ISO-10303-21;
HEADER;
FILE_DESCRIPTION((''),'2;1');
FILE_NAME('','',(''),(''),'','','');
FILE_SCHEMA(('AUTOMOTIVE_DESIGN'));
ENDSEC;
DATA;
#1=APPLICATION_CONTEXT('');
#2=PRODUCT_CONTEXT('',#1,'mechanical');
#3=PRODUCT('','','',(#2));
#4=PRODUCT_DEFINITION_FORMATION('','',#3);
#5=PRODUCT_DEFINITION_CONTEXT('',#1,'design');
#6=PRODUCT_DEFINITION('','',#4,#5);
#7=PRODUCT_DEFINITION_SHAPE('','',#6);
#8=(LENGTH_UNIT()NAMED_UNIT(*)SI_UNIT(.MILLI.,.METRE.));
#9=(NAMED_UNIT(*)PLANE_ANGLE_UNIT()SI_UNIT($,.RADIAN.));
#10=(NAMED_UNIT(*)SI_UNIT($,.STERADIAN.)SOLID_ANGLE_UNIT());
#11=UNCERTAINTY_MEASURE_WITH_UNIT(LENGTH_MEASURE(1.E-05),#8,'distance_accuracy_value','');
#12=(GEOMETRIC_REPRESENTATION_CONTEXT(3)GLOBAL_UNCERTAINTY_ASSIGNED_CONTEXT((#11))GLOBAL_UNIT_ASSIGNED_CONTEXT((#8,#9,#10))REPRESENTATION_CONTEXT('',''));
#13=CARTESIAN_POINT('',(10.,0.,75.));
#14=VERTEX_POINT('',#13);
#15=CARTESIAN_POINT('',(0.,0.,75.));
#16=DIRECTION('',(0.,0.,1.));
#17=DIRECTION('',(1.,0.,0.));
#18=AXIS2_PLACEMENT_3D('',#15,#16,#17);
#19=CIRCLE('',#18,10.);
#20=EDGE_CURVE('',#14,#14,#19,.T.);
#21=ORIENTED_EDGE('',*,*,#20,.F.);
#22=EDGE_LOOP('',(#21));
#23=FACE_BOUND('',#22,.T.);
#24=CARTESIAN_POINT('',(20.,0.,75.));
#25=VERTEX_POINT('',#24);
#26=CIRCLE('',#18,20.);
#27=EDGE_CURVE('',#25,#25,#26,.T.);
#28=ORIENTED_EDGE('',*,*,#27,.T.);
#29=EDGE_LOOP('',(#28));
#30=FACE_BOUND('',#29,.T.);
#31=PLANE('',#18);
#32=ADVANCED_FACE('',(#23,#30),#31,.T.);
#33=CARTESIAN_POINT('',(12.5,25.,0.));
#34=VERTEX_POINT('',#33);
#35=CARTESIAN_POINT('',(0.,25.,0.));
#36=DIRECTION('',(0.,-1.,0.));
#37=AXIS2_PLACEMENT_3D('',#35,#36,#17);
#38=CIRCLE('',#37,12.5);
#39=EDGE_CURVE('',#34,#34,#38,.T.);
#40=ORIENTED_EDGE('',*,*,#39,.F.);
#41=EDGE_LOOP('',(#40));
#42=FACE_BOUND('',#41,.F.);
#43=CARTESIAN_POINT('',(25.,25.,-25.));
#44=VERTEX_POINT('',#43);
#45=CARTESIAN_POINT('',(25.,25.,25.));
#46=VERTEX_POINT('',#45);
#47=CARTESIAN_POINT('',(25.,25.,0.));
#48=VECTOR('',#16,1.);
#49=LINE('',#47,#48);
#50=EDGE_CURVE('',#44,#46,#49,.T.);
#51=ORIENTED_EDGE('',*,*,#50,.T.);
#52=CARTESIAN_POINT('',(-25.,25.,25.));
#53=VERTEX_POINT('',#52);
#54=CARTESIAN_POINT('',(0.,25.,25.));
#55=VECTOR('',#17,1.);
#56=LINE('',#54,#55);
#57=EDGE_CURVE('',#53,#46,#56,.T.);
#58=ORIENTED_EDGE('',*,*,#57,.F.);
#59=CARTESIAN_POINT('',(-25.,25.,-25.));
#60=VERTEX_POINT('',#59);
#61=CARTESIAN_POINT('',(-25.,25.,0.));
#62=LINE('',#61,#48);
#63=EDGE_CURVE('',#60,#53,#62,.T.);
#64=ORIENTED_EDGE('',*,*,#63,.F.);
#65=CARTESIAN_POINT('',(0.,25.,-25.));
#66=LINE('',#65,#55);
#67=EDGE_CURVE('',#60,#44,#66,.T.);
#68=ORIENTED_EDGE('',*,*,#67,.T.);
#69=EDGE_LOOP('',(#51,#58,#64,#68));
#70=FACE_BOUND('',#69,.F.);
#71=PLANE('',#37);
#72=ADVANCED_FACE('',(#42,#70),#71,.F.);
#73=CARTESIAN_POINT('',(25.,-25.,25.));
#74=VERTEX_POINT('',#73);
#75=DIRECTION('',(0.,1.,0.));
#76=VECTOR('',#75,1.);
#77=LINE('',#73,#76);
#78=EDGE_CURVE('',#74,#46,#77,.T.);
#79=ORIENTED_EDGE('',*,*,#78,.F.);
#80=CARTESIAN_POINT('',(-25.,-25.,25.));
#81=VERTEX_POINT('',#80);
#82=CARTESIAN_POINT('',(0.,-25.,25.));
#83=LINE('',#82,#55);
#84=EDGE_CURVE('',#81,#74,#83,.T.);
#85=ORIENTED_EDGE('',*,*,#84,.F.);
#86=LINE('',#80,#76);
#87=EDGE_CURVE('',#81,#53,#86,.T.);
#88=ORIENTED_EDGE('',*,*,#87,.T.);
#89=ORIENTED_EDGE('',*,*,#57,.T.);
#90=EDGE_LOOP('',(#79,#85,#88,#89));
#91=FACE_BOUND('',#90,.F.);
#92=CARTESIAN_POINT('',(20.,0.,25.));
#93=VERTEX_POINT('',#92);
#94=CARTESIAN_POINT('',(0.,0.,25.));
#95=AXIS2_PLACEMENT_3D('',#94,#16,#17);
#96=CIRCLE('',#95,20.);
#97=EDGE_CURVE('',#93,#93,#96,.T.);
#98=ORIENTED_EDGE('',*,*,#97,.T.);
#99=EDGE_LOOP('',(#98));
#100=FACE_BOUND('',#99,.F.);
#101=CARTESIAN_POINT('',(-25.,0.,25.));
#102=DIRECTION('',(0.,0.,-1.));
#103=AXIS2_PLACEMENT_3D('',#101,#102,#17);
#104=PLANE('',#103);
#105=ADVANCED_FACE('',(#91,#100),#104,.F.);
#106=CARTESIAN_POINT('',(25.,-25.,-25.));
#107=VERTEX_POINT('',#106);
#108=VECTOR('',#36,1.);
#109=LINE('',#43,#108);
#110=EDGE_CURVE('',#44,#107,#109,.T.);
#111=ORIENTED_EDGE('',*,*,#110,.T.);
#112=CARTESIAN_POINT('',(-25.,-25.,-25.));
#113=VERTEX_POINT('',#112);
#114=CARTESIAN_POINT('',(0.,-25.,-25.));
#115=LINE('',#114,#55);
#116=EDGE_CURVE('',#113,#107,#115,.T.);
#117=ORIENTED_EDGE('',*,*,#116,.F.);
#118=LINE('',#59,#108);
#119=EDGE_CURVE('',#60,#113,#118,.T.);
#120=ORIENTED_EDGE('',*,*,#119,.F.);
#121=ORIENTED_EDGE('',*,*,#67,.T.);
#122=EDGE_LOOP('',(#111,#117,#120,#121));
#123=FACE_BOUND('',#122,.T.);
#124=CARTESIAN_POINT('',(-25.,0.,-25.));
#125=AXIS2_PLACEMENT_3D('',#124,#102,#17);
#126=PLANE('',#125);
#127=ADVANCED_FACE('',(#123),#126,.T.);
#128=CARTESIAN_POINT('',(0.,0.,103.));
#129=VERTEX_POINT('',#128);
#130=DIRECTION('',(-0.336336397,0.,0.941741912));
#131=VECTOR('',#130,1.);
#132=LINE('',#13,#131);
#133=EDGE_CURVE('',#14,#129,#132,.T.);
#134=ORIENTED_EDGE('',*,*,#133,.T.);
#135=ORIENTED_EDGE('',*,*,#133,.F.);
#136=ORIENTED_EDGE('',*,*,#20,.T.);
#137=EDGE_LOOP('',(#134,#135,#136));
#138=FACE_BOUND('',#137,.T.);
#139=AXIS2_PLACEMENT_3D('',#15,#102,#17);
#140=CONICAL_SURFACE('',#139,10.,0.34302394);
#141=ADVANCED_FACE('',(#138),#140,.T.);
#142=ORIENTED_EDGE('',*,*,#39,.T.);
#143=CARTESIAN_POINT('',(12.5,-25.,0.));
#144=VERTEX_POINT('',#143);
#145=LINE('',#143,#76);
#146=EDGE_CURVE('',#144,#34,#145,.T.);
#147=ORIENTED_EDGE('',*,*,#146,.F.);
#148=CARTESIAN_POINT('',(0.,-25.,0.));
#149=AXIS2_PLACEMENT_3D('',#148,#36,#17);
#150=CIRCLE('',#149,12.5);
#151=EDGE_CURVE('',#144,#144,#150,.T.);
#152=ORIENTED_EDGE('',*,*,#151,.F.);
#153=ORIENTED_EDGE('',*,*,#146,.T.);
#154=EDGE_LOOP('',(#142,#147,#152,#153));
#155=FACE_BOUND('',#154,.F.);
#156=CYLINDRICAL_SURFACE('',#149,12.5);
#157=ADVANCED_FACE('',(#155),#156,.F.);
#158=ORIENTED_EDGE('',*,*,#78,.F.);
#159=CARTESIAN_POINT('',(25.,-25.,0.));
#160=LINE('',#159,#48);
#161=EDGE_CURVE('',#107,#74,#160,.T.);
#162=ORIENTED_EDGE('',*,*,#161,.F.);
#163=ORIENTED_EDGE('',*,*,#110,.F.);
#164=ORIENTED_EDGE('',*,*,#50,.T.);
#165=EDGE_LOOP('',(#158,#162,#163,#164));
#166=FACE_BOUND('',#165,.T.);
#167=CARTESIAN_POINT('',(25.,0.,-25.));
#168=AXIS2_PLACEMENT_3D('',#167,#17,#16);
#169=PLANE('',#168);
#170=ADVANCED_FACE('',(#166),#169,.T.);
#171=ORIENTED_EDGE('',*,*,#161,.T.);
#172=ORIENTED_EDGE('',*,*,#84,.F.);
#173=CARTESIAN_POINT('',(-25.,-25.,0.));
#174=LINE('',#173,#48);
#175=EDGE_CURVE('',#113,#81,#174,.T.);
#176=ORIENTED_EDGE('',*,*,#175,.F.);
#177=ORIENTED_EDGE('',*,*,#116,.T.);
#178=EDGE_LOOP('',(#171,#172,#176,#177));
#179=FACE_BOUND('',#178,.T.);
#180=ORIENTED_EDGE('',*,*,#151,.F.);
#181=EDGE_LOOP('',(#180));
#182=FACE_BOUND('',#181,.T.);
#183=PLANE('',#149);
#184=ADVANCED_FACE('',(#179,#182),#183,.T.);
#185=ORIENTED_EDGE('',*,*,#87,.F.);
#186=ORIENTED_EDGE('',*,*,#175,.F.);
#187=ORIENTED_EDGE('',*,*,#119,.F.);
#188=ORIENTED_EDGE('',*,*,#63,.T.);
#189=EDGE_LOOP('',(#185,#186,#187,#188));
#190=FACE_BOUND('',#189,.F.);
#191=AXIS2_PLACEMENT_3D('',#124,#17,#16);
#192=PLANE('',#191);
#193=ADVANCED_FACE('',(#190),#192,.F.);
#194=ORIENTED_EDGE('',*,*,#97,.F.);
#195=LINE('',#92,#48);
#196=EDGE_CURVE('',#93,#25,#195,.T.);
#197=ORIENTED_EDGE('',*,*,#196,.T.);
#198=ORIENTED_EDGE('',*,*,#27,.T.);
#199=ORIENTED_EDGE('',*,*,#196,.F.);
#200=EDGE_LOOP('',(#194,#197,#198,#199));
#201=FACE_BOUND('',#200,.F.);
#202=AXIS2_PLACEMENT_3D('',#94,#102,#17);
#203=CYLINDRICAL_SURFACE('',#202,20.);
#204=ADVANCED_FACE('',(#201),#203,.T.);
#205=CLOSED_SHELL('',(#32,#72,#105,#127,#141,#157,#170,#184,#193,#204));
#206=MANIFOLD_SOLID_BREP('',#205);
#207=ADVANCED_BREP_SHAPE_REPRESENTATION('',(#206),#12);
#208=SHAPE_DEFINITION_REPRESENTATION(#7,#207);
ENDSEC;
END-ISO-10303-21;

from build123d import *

# Parameters (mm, degrees)
F0_W     = 50
F0_H     = 50
F1_DEPTH = 25
F2_R     = 12.5
F3_DEPTH = 50
F4_R     = 20
F5_DEPTH = 50


with BuildPart() as f1:
    # F0 (on Front) → F1 (new body, symmetric)
    with BuildSketch(Plane.XZ):
        Rectangle(F0_W, F0_H)
    extrude(amount=F1_DEPTH, both=True)

    # F2 (on face) → F3 (cut)
    with BuildSketch(Plane.XZ.offset(25)):
        Circle(F2_R)
    extrude(amount=-F3_DEPTH, mode=Mode.SUBTRACT)

    # F4 (on face) → F5 (join)
    with BuildSketch(Plane.XY.offset(25)):
        Circle(F4_R)
    extrude(amount=F5_DEPTH)

    # F6 (on Front) → F7 (revolve)
    with BuildSketch(Plane.XZ):
        Polygon((0, 103), (0, 75), (10, 75), align=None)
    revolve(axis=Axis((0, 0, 89), (0, 0, 1)))


solid = f1.part
